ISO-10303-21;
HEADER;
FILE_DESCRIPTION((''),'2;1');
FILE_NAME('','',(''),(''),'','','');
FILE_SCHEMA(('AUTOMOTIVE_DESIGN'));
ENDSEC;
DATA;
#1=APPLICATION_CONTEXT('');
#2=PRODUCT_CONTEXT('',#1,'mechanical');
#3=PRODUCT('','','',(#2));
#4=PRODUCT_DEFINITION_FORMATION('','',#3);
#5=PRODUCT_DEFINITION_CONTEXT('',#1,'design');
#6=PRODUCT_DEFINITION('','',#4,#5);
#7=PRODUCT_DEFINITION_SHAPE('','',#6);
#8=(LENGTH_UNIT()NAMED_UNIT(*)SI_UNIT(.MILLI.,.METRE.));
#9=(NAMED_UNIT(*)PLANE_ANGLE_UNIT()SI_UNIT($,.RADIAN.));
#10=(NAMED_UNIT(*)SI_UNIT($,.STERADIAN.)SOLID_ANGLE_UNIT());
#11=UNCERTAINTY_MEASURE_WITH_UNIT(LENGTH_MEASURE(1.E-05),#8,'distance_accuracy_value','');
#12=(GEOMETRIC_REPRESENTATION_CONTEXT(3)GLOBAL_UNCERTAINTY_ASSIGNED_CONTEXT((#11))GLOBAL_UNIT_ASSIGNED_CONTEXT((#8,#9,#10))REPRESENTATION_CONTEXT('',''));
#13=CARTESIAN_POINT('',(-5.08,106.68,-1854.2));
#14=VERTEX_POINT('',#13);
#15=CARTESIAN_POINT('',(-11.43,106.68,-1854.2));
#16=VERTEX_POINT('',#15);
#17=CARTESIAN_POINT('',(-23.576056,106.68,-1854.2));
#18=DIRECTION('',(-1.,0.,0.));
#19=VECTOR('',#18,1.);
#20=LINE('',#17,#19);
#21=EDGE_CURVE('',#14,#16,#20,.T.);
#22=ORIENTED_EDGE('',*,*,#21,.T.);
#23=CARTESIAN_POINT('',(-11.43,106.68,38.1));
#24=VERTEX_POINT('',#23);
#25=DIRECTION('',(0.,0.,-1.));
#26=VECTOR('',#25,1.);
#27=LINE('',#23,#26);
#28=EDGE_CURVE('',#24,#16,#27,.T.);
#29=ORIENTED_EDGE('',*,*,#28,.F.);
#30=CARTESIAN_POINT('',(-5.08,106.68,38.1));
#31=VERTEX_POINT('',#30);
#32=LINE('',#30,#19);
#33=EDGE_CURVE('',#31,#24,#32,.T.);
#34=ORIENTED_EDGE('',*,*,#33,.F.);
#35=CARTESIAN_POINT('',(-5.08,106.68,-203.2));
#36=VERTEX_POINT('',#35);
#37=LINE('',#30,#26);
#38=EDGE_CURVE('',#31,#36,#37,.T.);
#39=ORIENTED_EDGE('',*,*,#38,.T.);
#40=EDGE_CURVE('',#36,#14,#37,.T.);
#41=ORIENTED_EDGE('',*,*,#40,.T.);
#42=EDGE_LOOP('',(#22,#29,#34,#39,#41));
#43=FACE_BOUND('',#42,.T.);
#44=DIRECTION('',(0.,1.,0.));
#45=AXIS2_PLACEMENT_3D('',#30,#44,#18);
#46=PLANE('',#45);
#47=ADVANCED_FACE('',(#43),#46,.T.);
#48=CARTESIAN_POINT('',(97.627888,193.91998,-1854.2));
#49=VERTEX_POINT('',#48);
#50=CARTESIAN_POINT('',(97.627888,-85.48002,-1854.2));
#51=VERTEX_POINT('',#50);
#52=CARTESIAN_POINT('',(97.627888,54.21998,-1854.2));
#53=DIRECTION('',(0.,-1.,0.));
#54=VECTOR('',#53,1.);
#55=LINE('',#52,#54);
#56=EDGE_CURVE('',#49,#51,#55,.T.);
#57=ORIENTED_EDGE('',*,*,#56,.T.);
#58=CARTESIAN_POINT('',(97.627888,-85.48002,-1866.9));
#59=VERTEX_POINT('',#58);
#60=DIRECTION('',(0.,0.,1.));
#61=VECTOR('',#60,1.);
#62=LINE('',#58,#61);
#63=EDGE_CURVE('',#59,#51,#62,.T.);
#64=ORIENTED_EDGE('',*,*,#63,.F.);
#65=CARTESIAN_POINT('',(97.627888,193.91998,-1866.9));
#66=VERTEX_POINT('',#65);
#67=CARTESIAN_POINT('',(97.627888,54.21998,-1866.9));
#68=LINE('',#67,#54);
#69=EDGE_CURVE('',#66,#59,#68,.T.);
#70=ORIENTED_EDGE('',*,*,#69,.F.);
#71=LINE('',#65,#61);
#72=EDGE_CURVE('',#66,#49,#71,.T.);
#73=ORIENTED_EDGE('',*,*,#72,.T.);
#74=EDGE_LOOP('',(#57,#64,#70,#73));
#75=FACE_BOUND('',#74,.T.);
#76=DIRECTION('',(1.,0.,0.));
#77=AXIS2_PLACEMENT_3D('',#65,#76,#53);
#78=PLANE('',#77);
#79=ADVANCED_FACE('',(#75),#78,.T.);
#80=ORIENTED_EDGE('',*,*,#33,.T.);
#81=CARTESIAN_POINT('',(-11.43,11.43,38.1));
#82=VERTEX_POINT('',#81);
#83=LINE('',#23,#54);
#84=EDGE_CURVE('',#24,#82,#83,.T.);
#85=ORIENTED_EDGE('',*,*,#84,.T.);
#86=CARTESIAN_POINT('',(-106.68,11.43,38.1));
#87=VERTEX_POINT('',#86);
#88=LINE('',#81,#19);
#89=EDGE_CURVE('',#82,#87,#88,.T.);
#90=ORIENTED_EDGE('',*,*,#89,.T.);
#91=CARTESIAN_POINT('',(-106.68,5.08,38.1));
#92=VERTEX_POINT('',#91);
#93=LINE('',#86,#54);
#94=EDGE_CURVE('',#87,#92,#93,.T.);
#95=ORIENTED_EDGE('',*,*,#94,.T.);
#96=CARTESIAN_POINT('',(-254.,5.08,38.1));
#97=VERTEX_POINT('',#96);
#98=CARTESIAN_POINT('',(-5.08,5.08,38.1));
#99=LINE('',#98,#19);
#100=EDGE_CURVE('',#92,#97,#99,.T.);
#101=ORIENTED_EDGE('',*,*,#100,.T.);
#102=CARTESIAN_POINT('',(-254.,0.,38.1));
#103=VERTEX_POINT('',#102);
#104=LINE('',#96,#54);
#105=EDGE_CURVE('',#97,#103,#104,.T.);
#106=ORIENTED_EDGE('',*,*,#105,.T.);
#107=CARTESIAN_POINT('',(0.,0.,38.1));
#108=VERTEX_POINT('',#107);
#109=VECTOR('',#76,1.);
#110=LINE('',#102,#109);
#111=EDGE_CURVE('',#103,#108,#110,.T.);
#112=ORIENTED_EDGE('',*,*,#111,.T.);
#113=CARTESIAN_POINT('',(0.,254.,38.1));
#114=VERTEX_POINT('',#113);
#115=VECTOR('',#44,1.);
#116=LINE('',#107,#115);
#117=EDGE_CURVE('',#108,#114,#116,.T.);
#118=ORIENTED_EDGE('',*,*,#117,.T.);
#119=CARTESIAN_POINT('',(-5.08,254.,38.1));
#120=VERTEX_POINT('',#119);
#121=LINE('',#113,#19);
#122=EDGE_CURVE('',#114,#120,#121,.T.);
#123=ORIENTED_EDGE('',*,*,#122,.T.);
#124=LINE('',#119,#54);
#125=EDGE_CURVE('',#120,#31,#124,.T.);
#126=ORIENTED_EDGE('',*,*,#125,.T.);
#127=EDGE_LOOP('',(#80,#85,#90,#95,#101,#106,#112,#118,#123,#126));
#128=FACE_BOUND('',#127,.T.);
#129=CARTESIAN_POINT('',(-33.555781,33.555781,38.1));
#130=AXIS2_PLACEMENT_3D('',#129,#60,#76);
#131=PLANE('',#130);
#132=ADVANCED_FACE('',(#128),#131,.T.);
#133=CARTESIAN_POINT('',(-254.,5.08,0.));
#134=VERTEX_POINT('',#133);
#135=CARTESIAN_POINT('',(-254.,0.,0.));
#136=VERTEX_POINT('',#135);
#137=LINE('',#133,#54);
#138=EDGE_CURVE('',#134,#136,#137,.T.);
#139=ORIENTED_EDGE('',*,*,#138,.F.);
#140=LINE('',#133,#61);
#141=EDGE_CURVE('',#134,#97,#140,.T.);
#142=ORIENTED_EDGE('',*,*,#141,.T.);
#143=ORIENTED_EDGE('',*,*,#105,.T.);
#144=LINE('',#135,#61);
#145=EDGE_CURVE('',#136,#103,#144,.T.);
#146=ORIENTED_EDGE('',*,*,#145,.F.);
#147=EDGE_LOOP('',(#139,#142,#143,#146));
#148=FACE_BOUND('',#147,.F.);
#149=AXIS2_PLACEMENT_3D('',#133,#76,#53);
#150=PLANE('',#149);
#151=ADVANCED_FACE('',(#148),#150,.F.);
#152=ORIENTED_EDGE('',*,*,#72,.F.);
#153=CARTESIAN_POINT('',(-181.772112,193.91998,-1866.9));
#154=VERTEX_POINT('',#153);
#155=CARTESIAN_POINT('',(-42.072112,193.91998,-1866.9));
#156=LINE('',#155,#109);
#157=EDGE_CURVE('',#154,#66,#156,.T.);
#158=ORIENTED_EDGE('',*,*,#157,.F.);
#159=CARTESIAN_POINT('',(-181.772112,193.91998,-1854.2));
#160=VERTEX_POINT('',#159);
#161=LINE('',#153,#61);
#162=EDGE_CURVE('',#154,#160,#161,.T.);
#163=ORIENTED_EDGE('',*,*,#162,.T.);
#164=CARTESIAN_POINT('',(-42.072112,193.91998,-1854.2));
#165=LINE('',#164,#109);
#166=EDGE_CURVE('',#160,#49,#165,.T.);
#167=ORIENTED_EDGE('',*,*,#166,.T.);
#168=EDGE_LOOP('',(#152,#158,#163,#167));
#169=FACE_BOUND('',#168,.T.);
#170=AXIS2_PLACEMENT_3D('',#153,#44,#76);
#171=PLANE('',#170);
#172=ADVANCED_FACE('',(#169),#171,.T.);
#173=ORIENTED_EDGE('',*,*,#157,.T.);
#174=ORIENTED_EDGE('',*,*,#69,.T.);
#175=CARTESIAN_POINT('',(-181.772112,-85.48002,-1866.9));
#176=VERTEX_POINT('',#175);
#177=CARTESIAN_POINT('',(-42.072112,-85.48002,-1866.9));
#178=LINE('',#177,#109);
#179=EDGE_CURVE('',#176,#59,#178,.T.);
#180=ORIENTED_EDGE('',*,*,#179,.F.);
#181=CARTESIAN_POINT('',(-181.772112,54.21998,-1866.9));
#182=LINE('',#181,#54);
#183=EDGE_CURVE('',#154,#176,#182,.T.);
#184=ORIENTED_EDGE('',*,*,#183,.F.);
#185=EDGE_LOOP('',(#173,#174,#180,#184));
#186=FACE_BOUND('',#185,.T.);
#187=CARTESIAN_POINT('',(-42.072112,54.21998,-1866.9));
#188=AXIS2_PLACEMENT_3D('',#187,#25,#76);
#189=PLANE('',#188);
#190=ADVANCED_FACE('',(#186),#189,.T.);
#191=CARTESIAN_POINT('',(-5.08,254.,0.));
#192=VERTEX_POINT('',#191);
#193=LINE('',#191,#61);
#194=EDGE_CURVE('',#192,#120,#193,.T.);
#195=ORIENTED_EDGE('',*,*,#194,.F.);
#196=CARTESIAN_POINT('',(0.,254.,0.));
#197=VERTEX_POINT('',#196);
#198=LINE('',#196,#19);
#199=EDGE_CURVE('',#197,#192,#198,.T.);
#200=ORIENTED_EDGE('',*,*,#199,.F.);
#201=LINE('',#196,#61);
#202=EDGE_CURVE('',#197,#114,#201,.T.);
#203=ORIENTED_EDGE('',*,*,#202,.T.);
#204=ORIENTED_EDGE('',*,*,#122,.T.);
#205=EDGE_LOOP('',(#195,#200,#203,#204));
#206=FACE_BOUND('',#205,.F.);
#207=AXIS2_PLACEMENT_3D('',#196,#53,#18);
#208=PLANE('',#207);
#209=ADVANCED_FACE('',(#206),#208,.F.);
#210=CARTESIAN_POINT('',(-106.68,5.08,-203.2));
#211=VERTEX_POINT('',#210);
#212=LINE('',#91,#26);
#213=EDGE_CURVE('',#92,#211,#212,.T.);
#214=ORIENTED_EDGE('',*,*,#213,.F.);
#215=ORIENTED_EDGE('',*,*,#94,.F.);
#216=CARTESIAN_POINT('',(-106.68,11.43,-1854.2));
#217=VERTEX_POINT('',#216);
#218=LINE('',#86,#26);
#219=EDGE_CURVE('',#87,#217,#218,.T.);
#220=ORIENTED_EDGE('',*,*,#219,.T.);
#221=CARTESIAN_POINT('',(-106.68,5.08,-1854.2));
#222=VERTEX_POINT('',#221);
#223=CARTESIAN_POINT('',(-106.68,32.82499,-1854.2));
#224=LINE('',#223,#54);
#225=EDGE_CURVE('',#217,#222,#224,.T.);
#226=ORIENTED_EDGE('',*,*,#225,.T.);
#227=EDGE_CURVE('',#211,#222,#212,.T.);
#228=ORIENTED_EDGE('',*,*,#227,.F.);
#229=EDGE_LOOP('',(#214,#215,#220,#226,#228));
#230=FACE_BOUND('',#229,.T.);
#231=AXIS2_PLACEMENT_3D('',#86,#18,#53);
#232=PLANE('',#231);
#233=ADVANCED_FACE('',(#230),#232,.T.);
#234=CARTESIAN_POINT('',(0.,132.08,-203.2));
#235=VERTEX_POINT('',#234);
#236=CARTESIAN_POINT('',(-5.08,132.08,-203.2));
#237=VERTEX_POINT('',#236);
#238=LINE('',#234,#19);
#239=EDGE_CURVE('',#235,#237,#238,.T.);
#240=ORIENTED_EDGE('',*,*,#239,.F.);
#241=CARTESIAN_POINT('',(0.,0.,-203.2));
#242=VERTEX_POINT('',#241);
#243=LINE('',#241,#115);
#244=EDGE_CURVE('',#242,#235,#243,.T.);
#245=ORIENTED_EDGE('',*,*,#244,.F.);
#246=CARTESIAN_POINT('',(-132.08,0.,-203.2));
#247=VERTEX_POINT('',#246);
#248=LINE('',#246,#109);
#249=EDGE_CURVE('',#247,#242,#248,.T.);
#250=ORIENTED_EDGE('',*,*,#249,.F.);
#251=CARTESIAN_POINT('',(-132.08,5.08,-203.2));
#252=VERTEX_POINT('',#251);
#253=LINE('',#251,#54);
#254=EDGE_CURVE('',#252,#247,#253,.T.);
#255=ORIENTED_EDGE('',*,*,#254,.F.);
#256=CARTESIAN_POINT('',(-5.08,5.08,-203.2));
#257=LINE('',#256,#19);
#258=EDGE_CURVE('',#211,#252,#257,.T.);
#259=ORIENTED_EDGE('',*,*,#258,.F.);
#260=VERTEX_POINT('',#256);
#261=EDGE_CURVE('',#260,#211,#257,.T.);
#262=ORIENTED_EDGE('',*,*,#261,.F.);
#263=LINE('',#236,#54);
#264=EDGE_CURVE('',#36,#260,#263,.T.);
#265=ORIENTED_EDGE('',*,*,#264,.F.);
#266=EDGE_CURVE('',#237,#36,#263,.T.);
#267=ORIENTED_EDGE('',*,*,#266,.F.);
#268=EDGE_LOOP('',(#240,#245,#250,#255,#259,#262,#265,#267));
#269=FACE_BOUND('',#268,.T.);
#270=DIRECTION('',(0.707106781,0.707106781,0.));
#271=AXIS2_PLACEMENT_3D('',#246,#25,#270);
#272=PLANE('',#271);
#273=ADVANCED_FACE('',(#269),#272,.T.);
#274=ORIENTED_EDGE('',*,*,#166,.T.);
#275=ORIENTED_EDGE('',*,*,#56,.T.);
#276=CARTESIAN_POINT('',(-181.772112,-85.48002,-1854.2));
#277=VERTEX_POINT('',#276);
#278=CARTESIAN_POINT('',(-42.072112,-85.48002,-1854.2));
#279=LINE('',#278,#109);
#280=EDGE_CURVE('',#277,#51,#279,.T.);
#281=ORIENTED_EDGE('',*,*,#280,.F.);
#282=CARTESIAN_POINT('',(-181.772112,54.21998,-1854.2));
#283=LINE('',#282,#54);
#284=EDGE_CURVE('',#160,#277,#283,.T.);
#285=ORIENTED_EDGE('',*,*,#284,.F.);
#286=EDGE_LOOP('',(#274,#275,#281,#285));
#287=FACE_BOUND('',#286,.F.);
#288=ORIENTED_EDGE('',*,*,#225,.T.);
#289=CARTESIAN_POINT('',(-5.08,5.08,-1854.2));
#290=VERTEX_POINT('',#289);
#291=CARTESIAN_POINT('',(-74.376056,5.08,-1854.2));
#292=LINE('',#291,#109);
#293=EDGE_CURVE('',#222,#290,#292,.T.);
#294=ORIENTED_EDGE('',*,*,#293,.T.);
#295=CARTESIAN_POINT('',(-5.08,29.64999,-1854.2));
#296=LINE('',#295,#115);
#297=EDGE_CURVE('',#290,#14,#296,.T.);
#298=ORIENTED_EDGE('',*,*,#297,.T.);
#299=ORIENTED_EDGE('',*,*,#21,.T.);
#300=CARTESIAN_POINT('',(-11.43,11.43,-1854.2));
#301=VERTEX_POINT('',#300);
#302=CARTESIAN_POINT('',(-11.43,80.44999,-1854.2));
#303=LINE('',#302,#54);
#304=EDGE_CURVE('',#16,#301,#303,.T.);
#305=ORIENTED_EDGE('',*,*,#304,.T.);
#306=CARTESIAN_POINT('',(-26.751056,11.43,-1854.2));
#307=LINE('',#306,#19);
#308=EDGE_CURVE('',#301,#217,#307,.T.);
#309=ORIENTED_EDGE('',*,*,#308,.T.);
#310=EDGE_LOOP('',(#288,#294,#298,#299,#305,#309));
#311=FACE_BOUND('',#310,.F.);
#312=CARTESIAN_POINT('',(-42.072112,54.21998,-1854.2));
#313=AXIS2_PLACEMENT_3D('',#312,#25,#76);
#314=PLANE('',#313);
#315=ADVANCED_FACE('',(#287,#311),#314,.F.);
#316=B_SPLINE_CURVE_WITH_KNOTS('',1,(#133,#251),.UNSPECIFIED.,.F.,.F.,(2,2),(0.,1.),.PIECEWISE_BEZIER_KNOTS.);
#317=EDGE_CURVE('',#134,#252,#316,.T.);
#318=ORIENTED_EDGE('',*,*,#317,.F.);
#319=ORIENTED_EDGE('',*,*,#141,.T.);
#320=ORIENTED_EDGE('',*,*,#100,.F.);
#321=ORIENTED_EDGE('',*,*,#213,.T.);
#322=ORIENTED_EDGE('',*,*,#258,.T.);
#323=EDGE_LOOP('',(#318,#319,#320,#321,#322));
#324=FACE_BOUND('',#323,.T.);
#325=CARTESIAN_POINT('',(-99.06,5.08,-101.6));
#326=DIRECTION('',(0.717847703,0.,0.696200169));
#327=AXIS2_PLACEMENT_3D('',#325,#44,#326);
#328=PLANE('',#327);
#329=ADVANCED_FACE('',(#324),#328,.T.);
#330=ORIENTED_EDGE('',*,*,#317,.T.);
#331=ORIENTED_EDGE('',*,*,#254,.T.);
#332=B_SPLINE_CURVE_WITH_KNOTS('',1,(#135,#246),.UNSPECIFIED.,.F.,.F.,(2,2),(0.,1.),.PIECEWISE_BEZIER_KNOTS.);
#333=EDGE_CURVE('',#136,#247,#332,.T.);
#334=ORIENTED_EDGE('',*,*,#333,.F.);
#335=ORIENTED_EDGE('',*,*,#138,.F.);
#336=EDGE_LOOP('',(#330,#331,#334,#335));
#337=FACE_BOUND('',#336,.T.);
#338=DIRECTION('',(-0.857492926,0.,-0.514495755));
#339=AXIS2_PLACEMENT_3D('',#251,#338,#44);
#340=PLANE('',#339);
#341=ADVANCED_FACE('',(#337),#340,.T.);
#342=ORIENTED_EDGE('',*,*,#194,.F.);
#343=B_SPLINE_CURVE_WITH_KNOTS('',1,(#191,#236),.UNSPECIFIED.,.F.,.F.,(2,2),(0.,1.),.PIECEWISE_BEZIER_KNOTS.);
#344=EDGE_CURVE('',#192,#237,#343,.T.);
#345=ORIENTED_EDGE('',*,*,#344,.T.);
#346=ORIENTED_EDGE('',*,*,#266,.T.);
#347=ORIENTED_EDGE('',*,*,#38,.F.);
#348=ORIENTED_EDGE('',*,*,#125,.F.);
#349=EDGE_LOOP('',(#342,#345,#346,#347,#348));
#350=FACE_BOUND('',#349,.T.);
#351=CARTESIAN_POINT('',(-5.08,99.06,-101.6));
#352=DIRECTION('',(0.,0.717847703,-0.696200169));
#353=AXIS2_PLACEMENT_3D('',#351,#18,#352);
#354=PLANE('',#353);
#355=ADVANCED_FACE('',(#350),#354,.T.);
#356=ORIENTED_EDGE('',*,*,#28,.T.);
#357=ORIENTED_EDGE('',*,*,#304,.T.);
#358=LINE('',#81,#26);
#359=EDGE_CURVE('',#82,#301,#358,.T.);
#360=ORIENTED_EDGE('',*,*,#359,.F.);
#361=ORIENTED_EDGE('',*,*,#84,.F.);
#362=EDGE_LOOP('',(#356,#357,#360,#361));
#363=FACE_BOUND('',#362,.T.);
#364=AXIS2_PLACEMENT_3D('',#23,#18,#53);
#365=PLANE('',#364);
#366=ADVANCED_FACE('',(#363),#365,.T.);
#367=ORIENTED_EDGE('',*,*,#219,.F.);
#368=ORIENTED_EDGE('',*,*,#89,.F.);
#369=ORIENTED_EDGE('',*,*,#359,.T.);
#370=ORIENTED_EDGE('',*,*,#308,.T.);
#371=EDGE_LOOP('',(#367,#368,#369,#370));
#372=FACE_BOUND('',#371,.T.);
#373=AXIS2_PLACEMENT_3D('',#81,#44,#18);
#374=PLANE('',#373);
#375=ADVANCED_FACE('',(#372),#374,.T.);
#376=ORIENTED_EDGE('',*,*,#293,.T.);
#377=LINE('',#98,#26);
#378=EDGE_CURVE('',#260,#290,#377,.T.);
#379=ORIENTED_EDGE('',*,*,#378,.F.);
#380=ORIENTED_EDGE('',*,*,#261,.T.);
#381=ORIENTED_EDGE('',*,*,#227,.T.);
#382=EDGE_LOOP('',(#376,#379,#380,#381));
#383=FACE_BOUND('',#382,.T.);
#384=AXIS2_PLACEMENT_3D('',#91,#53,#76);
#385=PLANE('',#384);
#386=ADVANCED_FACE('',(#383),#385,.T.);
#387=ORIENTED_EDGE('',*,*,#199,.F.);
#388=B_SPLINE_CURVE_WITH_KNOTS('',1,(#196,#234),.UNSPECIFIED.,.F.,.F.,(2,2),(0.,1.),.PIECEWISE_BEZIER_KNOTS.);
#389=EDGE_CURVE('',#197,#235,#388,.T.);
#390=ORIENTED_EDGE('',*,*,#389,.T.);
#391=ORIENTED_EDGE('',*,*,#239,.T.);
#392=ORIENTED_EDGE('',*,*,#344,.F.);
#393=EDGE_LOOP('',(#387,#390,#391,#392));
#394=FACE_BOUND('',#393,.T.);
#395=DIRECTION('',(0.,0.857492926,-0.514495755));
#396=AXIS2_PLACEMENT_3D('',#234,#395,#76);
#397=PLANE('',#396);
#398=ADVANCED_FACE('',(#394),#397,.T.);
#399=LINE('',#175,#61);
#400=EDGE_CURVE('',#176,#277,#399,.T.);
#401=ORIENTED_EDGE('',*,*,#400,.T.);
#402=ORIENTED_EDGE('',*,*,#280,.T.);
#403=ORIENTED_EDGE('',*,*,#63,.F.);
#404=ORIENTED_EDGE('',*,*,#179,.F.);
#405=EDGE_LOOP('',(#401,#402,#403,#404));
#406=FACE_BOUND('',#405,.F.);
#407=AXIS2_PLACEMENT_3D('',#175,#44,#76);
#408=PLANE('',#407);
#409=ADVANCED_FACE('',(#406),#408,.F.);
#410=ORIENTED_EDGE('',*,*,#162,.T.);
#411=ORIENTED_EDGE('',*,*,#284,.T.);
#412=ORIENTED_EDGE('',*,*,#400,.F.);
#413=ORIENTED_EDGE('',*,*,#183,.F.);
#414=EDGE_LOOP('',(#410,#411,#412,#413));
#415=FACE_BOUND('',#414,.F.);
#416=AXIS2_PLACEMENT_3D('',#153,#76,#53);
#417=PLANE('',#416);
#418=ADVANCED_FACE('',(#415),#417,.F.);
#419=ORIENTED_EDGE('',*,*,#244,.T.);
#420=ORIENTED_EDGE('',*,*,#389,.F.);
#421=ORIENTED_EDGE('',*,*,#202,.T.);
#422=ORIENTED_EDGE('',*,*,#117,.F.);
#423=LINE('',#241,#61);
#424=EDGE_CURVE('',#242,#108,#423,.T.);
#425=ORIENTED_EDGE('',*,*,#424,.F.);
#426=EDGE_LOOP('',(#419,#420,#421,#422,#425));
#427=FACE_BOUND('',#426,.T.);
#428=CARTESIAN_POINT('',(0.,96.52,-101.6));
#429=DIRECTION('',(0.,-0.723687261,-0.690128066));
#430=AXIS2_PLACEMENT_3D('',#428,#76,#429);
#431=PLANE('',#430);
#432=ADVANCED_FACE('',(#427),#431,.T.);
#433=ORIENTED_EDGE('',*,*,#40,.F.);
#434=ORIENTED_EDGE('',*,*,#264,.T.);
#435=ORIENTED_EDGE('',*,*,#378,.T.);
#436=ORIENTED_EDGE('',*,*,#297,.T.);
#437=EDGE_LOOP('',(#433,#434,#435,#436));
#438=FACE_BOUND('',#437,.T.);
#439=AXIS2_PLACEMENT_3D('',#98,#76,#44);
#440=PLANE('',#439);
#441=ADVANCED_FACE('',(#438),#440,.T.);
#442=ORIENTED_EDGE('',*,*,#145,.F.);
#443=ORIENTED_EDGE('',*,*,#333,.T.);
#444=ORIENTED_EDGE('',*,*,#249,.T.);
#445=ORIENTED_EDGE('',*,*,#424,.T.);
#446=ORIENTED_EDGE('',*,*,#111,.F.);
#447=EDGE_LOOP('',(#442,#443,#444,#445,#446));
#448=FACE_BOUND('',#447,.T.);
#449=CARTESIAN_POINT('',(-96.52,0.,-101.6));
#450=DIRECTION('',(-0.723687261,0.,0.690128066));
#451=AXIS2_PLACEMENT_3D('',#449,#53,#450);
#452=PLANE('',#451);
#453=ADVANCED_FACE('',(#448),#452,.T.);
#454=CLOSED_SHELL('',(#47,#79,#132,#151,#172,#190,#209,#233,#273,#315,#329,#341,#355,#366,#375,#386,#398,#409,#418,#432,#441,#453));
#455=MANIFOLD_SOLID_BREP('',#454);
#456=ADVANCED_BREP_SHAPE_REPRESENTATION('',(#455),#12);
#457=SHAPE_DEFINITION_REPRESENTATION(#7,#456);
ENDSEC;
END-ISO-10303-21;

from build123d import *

# Parameters (mm, degrees)
F1_DEPTH = 38.1
F6_DEPTH = 1905
F7_W     = 279.4
F7_H     = 279.4
F8_DEPTH = 12.7


with BuildPart() as f1:
    # F0 (on Top) → F1 (new body)
    with BuildSketch(Plane.XY):
        Polygon((-254, 0), (0, 0), (0, 254), (-5.08, 254), (-5.08, 5.08), (-254, 5.08), align=None)
    extrude(amount=F1_DEPTH)

    # F1_face (on face) → F4 section 0
    with BuildSketch(Plane(origin=(-65.398586, 65.398586, 0), x_dir=(1, 0, 0), z_dir=(0, 0, -1))):
        Polygon((65.398586, 65.398586), (-188.601414, 65.398586), (-188.601414, 60.318586), (60.318586, 60.318586), (60.318586, -188.601414), (65.398586, -188.601414), align=None)
    # F3 (on offset) → F4 section 1
    with BuildSketch(Plane.XY.offset(-203.2)):
        Polygon((-132.08, 0), (0, 0), (0, 132.08), (-5.08, 132.08), (-5.08, 5.08), (-132.08, 5.08), align=None)
    loft()

    # F5 (on face) → F6 (join)
    with BuildSketch(Plane.XY.offset(38.1)):
        Polygon((-106.68, 5.08), (-5.08, 5.08), (-5.08, 106.68), (-11.43, 106.68), (-11.43, 11.43), (-106.68, 11.43), align=None)
    extrude(amount=-F6_DEPTH)

    # F7 (on face) → F8 (join)
    with BuildSketch(Plane(origin=(0, 0, -1866.9), x_dir=(1, 0, 0), z_dir=(0, 0, -1))):
        with Locations((-42.072112, -54.21998)):
            Rectangle(F7_W, F7_H)
    extrude(amount=-F8_DEPTH)


solid = f1.part
